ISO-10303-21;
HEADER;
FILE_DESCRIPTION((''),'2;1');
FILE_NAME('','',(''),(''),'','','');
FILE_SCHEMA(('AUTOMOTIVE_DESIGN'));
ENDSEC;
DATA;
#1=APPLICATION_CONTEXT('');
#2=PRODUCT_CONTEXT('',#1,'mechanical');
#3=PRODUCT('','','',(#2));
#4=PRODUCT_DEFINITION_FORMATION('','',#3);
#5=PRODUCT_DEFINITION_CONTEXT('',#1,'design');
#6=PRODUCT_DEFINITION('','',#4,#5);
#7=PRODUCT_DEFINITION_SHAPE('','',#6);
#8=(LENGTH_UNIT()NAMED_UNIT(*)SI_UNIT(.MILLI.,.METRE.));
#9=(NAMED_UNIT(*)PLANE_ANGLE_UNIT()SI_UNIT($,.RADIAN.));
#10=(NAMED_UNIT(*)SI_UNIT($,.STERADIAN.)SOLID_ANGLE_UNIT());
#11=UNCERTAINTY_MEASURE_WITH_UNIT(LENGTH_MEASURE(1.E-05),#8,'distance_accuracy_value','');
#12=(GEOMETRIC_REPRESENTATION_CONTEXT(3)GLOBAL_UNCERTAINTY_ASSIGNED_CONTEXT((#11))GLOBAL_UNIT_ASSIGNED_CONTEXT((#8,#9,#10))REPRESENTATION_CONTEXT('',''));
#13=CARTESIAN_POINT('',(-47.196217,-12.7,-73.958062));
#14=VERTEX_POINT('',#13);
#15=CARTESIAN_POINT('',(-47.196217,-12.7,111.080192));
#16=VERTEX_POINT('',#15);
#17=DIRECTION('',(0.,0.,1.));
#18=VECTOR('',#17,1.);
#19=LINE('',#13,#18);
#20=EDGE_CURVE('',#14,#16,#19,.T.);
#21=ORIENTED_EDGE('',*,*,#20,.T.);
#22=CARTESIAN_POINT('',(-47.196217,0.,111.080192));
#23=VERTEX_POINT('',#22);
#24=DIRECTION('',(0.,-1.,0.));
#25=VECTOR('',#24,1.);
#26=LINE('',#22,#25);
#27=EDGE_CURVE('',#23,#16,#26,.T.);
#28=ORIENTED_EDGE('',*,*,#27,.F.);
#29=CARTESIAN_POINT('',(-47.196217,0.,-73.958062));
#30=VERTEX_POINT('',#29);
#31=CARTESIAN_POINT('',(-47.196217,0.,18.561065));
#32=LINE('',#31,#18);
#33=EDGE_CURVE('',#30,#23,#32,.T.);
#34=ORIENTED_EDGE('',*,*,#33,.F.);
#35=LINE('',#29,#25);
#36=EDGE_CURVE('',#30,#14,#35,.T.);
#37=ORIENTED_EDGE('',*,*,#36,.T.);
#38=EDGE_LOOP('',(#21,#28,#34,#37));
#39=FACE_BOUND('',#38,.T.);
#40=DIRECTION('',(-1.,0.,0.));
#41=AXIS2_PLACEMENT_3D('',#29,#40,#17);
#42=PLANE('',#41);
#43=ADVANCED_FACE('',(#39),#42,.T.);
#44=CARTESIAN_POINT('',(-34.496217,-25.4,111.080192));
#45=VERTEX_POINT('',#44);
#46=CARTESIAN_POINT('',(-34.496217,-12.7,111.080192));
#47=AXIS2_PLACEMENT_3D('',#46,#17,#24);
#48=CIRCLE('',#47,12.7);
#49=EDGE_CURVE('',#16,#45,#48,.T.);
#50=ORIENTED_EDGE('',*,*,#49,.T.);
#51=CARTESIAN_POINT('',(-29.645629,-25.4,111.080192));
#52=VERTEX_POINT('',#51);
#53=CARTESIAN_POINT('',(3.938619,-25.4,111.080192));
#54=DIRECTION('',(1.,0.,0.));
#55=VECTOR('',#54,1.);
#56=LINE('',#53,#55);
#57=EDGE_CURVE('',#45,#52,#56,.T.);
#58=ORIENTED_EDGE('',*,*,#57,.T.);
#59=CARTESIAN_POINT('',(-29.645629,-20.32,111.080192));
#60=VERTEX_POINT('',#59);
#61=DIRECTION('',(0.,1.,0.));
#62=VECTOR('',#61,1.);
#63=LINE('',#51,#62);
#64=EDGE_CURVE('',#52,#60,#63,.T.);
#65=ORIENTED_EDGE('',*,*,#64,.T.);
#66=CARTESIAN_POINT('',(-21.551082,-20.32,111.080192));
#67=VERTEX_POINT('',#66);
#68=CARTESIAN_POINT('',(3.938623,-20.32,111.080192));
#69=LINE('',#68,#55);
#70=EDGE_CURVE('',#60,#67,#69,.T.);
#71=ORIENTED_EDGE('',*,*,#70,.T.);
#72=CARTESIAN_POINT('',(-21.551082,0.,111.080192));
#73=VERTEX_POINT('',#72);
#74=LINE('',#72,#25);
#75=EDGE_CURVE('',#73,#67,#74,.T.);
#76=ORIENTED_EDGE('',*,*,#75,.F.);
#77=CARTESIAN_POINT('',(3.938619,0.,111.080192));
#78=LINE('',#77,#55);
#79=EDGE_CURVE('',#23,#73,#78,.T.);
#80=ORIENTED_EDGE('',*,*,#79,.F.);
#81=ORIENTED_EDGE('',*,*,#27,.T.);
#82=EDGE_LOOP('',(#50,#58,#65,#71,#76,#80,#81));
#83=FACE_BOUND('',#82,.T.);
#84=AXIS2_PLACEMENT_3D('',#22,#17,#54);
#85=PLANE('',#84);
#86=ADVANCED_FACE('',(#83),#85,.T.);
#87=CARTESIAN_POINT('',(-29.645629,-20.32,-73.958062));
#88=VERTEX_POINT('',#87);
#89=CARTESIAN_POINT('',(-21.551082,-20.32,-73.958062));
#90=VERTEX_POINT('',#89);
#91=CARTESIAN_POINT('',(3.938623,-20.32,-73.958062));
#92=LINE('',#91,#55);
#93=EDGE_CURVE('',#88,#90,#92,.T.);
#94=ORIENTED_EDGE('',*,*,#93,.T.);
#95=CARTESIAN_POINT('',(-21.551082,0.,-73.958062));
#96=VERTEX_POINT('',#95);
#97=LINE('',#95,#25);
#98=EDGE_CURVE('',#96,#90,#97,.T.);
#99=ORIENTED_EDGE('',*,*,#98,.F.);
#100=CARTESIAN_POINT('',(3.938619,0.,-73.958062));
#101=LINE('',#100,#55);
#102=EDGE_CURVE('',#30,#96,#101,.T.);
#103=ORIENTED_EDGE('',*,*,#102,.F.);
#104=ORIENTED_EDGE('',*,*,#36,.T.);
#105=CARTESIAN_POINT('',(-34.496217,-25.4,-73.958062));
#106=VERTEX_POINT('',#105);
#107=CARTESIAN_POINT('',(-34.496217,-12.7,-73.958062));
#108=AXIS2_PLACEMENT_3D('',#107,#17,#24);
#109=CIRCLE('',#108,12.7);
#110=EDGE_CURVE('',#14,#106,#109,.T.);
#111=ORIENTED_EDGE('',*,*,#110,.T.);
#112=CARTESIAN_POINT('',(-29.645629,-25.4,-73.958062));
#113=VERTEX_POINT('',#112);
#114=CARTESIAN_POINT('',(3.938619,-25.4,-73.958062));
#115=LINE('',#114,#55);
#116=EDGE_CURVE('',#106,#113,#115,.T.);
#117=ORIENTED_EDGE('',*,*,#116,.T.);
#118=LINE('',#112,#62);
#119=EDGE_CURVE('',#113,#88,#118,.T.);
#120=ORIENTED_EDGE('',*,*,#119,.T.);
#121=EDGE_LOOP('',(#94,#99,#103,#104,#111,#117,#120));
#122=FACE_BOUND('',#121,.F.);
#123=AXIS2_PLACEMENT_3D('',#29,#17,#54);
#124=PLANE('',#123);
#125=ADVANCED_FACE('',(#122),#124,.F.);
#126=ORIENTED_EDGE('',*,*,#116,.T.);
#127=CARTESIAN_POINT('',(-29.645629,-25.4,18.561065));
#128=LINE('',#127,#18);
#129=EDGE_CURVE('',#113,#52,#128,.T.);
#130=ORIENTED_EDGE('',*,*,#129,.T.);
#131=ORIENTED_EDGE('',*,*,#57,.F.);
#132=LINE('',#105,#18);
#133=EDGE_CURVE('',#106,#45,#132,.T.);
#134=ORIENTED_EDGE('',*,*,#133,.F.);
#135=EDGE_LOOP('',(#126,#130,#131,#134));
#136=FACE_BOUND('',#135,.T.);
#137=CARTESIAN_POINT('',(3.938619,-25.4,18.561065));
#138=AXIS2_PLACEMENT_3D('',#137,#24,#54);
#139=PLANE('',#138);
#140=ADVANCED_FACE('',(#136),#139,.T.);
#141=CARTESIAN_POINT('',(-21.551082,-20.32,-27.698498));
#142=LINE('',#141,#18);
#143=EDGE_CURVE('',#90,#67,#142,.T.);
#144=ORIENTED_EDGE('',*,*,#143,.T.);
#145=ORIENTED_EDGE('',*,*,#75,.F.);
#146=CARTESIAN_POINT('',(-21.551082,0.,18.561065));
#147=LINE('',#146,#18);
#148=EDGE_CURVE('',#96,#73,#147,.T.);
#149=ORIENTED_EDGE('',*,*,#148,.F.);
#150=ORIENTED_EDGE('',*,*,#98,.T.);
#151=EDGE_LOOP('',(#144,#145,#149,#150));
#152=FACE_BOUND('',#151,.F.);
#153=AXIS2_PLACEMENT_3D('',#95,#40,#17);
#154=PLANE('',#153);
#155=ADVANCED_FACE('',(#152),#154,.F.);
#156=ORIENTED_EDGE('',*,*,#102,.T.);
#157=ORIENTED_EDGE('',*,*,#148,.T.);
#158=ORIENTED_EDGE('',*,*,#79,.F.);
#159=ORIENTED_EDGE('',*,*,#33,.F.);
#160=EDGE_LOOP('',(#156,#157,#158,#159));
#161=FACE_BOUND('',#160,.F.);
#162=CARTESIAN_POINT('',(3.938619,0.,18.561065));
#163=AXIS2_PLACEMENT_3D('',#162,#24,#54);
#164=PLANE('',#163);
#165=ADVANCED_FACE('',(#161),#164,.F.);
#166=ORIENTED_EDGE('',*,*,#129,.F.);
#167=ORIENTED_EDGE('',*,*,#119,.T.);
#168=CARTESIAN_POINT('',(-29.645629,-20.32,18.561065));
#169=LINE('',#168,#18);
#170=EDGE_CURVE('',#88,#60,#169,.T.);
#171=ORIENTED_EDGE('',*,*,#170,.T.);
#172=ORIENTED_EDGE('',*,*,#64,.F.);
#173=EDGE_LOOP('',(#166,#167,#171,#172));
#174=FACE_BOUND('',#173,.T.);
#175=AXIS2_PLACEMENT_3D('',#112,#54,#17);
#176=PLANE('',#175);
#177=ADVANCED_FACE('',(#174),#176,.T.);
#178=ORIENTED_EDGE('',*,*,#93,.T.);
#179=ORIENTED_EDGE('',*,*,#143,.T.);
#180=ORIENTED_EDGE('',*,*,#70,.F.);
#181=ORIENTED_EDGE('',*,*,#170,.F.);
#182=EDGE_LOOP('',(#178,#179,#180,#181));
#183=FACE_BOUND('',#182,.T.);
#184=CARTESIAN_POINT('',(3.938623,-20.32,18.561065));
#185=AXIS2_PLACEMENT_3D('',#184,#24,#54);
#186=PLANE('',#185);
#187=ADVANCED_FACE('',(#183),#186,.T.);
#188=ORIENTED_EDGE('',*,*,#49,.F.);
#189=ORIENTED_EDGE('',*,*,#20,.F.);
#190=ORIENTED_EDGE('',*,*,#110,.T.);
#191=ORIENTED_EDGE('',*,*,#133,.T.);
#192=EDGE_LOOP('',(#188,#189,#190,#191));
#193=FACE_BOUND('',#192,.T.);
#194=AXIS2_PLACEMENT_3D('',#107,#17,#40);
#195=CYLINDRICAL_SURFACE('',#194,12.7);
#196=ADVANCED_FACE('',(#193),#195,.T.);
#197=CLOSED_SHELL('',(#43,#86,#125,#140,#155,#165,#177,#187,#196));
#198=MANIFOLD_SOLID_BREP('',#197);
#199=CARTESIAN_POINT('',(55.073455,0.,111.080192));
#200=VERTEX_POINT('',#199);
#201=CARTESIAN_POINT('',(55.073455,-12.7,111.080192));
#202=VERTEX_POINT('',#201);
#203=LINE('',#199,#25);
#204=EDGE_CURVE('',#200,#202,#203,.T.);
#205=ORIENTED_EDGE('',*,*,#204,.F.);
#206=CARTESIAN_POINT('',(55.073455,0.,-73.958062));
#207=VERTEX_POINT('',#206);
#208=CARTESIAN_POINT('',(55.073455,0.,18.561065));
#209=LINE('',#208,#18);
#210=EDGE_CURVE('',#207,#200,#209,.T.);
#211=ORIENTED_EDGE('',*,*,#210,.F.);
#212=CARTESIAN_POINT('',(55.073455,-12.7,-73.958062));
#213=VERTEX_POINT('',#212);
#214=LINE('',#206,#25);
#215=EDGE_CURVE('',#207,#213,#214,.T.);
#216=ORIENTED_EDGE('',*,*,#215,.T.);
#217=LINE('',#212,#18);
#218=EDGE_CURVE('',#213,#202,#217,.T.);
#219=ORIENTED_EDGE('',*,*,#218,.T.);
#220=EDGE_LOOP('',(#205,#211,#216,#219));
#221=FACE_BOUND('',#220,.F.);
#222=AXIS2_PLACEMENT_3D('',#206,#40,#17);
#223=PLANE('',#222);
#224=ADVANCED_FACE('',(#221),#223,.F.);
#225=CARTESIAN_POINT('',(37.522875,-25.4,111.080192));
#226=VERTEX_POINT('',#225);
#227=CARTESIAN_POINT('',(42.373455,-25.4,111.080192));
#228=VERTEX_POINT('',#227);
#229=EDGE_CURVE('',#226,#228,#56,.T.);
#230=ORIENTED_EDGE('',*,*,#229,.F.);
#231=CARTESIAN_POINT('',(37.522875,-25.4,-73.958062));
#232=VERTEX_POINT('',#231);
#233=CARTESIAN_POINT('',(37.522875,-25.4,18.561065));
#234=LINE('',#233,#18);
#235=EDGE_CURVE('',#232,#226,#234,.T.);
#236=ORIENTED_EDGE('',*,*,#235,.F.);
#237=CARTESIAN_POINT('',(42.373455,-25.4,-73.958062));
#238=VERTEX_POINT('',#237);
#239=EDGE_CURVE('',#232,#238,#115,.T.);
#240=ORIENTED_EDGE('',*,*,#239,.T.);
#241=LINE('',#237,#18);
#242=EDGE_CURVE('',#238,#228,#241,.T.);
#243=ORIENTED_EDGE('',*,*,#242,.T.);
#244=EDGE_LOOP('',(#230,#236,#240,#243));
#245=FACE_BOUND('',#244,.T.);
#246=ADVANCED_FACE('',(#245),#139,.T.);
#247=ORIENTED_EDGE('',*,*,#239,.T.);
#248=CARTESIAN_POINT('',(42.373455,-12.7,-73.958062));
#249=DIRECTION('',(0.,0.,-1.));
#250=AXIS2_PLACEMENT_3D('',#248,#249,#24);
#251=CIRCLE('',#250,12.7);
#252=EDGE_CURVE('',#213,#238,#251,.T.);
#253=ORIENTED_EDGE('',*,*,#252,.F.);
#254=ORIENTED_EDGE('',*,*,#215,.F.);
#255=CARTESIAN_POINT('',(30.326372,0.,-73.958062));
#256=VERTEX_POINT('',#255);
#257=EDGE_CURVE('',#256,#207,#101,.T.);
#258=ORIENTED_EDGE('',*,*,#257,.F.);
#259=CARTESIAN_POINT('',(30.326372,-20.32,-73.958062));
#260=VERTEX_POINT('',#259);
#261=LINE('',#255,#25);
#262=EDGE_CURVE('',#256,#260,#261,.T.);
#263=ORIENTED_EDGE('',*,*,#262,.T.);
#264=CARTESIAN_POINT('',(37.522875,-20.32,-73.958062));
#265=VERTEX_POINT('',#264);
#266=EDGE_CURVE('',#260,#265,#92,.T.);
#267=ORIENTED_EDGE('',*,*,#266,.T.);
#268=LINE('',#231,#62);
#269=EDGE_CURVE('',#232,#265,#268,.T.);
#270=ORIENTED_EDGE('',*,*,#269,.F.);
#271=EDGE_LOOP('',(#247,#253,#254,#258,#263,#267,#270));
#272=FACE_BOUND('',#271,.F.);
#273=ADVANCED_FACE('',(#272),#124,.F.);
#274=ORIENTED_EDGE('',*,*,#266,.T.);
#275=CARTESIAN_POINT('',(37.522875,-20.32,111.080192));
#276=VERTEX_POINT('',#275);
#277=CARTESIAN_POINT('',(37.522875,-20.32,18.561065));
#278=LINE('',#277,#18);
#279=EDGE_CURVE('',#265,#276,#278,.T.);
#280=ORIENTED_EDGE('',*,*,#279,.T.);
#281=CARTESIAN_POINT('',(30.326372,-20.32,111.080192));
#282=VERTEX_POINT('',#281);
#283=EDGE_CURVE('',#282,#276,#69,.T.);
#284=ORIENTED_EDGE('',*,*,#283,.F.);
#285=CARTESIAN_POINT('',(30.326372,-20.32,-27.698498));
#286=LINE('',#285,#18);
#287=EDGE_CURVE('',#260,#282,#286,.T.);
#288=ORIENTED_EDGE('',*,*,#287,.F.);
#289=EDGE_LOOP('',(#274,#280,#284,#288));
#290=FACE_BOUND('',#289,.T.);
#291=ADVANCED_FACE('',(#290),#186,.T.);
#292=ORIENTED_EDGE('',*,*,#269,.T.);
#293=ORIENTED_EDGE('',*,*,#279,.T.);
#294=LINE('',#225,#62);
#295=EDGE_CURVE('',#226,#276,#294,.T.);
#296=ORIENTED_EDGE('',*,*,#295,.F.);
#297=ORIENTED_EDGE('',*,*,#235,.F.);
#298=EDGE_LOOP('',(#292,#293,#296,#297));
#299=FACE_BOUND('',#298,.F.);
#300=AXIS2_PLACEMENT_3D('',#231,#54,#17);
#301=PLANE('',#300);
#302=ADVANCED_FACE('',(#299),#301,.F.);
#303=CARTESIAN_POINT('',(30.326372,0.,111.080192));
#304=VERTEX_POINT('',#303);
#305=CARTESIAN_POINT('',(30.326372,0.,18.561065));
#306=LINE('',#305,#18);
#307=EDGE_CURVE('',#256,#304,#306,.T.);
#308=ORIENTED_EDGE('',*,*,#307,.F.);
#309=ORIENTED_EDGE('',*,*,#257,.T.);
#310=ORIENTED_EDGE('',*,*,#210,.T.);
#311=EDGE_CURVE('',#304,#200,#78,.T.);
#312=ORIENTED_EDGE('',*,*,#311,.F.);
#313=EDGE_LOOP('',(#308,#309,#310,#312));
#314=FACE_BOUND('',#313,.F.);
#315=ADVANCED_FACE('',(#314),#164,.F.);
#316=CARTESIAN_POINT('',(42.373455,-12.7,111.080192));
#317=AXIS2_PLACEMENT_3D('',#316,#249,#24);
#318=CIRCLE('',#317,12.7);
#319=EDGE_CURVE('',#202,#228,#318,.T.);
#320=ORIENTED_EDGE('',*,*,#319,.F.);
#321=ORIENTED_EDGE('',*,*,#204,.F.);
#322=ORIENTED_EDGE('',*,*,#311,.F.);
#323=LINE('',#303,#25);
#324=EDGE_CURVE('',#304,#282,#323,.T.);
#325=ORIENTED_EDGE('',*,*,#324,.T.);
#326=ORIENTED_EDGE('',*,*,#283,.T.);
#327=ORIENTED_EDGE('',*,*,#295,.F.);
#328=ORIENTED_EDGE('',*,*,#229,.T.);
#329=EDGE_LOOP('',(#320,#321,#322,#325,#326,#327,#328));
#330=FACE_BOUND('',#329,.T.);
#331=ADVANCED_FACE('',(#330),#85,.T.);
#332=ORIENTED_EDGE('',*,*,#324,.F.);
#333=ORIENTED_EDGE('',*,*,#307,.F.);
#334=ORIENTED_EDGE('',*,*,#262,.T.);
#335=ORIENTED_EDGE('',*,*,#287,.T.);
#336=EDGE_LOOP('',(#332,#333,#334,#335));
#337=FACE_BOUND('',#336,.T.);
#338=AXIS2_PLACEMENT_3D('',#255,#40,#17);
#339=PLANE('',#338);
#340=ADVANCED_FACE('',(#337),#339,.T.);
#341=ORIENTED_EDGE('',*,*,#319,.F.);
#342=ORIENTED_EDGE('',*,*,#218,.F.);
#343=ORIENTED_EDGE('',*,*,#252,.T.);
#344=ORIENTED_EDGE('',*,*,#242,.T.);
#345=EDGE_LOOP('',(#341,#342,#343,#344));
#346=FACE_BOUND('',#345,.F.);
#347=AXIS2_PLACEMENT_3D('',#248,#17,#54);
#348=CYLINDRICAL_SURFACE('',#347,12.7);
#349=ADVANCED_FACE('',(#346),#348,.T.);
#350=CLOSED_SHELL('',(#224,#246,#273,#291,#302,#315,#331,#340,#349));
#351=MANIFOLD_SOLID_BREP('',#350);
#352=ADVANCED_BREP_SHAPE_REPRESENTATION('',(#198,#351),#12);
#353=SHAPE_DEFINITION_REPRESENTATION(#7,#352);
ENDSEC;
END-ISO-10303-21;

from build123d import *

# Parameters (mm, degrees)
F0_W     = 102.269672
F0_H     = 185.038254
F1_DEPTH = 25.4
F2_R     = 12.7
F3_W     = 51.877454
F3_H     = 185.038254
F4_DEPTH = 21.59
F5_W     = 67.168505
F5_H     = 185.038254
F6_DEPTH = 5.08


with BuildPart() as f1:
    # F0 (on Front) → F1 (new body)
    with BuildSketch(Plane.XZ):
        with Locations((3.938619, 18.561065)):
            Rectangle(F0_W, F0_H)
    extrude(amount=F1_DEPTH)

    # F2
    f2_edges = [f1.edges().sort_by_distance(p)[0] for p in [
        (55.073455, -25.4, 18.561065),
        (-47.196217, -25.4, 18.561065),
    ]]
    fillet(f2_edges, radius=F2_R)

    # F3 (on face) → F4 (cut)
    with BuildSketch(Plane(origin=(0, 0, 0), x_dir=(-1, 0, 0), z_dir=(0, 1, 0))):
        with Locations((-4.387645, 18.561065)):
            Rectangle(F3_W, F3_H)
    extrude(amount=-F4_DEPTH, mode=Mode.SUBTRACT)

    # F5 (on face) → F6 (cut)
    with BuildSketch(Plane.XZ.offset(25.4)):
        with Locations((3.938623, 18.561065)):
            Rectangle(F5_W, F5_H)
    extrude(amount=-F6_DEPTH, mode=Mode.SUBTRACT)


solid = f1.part
